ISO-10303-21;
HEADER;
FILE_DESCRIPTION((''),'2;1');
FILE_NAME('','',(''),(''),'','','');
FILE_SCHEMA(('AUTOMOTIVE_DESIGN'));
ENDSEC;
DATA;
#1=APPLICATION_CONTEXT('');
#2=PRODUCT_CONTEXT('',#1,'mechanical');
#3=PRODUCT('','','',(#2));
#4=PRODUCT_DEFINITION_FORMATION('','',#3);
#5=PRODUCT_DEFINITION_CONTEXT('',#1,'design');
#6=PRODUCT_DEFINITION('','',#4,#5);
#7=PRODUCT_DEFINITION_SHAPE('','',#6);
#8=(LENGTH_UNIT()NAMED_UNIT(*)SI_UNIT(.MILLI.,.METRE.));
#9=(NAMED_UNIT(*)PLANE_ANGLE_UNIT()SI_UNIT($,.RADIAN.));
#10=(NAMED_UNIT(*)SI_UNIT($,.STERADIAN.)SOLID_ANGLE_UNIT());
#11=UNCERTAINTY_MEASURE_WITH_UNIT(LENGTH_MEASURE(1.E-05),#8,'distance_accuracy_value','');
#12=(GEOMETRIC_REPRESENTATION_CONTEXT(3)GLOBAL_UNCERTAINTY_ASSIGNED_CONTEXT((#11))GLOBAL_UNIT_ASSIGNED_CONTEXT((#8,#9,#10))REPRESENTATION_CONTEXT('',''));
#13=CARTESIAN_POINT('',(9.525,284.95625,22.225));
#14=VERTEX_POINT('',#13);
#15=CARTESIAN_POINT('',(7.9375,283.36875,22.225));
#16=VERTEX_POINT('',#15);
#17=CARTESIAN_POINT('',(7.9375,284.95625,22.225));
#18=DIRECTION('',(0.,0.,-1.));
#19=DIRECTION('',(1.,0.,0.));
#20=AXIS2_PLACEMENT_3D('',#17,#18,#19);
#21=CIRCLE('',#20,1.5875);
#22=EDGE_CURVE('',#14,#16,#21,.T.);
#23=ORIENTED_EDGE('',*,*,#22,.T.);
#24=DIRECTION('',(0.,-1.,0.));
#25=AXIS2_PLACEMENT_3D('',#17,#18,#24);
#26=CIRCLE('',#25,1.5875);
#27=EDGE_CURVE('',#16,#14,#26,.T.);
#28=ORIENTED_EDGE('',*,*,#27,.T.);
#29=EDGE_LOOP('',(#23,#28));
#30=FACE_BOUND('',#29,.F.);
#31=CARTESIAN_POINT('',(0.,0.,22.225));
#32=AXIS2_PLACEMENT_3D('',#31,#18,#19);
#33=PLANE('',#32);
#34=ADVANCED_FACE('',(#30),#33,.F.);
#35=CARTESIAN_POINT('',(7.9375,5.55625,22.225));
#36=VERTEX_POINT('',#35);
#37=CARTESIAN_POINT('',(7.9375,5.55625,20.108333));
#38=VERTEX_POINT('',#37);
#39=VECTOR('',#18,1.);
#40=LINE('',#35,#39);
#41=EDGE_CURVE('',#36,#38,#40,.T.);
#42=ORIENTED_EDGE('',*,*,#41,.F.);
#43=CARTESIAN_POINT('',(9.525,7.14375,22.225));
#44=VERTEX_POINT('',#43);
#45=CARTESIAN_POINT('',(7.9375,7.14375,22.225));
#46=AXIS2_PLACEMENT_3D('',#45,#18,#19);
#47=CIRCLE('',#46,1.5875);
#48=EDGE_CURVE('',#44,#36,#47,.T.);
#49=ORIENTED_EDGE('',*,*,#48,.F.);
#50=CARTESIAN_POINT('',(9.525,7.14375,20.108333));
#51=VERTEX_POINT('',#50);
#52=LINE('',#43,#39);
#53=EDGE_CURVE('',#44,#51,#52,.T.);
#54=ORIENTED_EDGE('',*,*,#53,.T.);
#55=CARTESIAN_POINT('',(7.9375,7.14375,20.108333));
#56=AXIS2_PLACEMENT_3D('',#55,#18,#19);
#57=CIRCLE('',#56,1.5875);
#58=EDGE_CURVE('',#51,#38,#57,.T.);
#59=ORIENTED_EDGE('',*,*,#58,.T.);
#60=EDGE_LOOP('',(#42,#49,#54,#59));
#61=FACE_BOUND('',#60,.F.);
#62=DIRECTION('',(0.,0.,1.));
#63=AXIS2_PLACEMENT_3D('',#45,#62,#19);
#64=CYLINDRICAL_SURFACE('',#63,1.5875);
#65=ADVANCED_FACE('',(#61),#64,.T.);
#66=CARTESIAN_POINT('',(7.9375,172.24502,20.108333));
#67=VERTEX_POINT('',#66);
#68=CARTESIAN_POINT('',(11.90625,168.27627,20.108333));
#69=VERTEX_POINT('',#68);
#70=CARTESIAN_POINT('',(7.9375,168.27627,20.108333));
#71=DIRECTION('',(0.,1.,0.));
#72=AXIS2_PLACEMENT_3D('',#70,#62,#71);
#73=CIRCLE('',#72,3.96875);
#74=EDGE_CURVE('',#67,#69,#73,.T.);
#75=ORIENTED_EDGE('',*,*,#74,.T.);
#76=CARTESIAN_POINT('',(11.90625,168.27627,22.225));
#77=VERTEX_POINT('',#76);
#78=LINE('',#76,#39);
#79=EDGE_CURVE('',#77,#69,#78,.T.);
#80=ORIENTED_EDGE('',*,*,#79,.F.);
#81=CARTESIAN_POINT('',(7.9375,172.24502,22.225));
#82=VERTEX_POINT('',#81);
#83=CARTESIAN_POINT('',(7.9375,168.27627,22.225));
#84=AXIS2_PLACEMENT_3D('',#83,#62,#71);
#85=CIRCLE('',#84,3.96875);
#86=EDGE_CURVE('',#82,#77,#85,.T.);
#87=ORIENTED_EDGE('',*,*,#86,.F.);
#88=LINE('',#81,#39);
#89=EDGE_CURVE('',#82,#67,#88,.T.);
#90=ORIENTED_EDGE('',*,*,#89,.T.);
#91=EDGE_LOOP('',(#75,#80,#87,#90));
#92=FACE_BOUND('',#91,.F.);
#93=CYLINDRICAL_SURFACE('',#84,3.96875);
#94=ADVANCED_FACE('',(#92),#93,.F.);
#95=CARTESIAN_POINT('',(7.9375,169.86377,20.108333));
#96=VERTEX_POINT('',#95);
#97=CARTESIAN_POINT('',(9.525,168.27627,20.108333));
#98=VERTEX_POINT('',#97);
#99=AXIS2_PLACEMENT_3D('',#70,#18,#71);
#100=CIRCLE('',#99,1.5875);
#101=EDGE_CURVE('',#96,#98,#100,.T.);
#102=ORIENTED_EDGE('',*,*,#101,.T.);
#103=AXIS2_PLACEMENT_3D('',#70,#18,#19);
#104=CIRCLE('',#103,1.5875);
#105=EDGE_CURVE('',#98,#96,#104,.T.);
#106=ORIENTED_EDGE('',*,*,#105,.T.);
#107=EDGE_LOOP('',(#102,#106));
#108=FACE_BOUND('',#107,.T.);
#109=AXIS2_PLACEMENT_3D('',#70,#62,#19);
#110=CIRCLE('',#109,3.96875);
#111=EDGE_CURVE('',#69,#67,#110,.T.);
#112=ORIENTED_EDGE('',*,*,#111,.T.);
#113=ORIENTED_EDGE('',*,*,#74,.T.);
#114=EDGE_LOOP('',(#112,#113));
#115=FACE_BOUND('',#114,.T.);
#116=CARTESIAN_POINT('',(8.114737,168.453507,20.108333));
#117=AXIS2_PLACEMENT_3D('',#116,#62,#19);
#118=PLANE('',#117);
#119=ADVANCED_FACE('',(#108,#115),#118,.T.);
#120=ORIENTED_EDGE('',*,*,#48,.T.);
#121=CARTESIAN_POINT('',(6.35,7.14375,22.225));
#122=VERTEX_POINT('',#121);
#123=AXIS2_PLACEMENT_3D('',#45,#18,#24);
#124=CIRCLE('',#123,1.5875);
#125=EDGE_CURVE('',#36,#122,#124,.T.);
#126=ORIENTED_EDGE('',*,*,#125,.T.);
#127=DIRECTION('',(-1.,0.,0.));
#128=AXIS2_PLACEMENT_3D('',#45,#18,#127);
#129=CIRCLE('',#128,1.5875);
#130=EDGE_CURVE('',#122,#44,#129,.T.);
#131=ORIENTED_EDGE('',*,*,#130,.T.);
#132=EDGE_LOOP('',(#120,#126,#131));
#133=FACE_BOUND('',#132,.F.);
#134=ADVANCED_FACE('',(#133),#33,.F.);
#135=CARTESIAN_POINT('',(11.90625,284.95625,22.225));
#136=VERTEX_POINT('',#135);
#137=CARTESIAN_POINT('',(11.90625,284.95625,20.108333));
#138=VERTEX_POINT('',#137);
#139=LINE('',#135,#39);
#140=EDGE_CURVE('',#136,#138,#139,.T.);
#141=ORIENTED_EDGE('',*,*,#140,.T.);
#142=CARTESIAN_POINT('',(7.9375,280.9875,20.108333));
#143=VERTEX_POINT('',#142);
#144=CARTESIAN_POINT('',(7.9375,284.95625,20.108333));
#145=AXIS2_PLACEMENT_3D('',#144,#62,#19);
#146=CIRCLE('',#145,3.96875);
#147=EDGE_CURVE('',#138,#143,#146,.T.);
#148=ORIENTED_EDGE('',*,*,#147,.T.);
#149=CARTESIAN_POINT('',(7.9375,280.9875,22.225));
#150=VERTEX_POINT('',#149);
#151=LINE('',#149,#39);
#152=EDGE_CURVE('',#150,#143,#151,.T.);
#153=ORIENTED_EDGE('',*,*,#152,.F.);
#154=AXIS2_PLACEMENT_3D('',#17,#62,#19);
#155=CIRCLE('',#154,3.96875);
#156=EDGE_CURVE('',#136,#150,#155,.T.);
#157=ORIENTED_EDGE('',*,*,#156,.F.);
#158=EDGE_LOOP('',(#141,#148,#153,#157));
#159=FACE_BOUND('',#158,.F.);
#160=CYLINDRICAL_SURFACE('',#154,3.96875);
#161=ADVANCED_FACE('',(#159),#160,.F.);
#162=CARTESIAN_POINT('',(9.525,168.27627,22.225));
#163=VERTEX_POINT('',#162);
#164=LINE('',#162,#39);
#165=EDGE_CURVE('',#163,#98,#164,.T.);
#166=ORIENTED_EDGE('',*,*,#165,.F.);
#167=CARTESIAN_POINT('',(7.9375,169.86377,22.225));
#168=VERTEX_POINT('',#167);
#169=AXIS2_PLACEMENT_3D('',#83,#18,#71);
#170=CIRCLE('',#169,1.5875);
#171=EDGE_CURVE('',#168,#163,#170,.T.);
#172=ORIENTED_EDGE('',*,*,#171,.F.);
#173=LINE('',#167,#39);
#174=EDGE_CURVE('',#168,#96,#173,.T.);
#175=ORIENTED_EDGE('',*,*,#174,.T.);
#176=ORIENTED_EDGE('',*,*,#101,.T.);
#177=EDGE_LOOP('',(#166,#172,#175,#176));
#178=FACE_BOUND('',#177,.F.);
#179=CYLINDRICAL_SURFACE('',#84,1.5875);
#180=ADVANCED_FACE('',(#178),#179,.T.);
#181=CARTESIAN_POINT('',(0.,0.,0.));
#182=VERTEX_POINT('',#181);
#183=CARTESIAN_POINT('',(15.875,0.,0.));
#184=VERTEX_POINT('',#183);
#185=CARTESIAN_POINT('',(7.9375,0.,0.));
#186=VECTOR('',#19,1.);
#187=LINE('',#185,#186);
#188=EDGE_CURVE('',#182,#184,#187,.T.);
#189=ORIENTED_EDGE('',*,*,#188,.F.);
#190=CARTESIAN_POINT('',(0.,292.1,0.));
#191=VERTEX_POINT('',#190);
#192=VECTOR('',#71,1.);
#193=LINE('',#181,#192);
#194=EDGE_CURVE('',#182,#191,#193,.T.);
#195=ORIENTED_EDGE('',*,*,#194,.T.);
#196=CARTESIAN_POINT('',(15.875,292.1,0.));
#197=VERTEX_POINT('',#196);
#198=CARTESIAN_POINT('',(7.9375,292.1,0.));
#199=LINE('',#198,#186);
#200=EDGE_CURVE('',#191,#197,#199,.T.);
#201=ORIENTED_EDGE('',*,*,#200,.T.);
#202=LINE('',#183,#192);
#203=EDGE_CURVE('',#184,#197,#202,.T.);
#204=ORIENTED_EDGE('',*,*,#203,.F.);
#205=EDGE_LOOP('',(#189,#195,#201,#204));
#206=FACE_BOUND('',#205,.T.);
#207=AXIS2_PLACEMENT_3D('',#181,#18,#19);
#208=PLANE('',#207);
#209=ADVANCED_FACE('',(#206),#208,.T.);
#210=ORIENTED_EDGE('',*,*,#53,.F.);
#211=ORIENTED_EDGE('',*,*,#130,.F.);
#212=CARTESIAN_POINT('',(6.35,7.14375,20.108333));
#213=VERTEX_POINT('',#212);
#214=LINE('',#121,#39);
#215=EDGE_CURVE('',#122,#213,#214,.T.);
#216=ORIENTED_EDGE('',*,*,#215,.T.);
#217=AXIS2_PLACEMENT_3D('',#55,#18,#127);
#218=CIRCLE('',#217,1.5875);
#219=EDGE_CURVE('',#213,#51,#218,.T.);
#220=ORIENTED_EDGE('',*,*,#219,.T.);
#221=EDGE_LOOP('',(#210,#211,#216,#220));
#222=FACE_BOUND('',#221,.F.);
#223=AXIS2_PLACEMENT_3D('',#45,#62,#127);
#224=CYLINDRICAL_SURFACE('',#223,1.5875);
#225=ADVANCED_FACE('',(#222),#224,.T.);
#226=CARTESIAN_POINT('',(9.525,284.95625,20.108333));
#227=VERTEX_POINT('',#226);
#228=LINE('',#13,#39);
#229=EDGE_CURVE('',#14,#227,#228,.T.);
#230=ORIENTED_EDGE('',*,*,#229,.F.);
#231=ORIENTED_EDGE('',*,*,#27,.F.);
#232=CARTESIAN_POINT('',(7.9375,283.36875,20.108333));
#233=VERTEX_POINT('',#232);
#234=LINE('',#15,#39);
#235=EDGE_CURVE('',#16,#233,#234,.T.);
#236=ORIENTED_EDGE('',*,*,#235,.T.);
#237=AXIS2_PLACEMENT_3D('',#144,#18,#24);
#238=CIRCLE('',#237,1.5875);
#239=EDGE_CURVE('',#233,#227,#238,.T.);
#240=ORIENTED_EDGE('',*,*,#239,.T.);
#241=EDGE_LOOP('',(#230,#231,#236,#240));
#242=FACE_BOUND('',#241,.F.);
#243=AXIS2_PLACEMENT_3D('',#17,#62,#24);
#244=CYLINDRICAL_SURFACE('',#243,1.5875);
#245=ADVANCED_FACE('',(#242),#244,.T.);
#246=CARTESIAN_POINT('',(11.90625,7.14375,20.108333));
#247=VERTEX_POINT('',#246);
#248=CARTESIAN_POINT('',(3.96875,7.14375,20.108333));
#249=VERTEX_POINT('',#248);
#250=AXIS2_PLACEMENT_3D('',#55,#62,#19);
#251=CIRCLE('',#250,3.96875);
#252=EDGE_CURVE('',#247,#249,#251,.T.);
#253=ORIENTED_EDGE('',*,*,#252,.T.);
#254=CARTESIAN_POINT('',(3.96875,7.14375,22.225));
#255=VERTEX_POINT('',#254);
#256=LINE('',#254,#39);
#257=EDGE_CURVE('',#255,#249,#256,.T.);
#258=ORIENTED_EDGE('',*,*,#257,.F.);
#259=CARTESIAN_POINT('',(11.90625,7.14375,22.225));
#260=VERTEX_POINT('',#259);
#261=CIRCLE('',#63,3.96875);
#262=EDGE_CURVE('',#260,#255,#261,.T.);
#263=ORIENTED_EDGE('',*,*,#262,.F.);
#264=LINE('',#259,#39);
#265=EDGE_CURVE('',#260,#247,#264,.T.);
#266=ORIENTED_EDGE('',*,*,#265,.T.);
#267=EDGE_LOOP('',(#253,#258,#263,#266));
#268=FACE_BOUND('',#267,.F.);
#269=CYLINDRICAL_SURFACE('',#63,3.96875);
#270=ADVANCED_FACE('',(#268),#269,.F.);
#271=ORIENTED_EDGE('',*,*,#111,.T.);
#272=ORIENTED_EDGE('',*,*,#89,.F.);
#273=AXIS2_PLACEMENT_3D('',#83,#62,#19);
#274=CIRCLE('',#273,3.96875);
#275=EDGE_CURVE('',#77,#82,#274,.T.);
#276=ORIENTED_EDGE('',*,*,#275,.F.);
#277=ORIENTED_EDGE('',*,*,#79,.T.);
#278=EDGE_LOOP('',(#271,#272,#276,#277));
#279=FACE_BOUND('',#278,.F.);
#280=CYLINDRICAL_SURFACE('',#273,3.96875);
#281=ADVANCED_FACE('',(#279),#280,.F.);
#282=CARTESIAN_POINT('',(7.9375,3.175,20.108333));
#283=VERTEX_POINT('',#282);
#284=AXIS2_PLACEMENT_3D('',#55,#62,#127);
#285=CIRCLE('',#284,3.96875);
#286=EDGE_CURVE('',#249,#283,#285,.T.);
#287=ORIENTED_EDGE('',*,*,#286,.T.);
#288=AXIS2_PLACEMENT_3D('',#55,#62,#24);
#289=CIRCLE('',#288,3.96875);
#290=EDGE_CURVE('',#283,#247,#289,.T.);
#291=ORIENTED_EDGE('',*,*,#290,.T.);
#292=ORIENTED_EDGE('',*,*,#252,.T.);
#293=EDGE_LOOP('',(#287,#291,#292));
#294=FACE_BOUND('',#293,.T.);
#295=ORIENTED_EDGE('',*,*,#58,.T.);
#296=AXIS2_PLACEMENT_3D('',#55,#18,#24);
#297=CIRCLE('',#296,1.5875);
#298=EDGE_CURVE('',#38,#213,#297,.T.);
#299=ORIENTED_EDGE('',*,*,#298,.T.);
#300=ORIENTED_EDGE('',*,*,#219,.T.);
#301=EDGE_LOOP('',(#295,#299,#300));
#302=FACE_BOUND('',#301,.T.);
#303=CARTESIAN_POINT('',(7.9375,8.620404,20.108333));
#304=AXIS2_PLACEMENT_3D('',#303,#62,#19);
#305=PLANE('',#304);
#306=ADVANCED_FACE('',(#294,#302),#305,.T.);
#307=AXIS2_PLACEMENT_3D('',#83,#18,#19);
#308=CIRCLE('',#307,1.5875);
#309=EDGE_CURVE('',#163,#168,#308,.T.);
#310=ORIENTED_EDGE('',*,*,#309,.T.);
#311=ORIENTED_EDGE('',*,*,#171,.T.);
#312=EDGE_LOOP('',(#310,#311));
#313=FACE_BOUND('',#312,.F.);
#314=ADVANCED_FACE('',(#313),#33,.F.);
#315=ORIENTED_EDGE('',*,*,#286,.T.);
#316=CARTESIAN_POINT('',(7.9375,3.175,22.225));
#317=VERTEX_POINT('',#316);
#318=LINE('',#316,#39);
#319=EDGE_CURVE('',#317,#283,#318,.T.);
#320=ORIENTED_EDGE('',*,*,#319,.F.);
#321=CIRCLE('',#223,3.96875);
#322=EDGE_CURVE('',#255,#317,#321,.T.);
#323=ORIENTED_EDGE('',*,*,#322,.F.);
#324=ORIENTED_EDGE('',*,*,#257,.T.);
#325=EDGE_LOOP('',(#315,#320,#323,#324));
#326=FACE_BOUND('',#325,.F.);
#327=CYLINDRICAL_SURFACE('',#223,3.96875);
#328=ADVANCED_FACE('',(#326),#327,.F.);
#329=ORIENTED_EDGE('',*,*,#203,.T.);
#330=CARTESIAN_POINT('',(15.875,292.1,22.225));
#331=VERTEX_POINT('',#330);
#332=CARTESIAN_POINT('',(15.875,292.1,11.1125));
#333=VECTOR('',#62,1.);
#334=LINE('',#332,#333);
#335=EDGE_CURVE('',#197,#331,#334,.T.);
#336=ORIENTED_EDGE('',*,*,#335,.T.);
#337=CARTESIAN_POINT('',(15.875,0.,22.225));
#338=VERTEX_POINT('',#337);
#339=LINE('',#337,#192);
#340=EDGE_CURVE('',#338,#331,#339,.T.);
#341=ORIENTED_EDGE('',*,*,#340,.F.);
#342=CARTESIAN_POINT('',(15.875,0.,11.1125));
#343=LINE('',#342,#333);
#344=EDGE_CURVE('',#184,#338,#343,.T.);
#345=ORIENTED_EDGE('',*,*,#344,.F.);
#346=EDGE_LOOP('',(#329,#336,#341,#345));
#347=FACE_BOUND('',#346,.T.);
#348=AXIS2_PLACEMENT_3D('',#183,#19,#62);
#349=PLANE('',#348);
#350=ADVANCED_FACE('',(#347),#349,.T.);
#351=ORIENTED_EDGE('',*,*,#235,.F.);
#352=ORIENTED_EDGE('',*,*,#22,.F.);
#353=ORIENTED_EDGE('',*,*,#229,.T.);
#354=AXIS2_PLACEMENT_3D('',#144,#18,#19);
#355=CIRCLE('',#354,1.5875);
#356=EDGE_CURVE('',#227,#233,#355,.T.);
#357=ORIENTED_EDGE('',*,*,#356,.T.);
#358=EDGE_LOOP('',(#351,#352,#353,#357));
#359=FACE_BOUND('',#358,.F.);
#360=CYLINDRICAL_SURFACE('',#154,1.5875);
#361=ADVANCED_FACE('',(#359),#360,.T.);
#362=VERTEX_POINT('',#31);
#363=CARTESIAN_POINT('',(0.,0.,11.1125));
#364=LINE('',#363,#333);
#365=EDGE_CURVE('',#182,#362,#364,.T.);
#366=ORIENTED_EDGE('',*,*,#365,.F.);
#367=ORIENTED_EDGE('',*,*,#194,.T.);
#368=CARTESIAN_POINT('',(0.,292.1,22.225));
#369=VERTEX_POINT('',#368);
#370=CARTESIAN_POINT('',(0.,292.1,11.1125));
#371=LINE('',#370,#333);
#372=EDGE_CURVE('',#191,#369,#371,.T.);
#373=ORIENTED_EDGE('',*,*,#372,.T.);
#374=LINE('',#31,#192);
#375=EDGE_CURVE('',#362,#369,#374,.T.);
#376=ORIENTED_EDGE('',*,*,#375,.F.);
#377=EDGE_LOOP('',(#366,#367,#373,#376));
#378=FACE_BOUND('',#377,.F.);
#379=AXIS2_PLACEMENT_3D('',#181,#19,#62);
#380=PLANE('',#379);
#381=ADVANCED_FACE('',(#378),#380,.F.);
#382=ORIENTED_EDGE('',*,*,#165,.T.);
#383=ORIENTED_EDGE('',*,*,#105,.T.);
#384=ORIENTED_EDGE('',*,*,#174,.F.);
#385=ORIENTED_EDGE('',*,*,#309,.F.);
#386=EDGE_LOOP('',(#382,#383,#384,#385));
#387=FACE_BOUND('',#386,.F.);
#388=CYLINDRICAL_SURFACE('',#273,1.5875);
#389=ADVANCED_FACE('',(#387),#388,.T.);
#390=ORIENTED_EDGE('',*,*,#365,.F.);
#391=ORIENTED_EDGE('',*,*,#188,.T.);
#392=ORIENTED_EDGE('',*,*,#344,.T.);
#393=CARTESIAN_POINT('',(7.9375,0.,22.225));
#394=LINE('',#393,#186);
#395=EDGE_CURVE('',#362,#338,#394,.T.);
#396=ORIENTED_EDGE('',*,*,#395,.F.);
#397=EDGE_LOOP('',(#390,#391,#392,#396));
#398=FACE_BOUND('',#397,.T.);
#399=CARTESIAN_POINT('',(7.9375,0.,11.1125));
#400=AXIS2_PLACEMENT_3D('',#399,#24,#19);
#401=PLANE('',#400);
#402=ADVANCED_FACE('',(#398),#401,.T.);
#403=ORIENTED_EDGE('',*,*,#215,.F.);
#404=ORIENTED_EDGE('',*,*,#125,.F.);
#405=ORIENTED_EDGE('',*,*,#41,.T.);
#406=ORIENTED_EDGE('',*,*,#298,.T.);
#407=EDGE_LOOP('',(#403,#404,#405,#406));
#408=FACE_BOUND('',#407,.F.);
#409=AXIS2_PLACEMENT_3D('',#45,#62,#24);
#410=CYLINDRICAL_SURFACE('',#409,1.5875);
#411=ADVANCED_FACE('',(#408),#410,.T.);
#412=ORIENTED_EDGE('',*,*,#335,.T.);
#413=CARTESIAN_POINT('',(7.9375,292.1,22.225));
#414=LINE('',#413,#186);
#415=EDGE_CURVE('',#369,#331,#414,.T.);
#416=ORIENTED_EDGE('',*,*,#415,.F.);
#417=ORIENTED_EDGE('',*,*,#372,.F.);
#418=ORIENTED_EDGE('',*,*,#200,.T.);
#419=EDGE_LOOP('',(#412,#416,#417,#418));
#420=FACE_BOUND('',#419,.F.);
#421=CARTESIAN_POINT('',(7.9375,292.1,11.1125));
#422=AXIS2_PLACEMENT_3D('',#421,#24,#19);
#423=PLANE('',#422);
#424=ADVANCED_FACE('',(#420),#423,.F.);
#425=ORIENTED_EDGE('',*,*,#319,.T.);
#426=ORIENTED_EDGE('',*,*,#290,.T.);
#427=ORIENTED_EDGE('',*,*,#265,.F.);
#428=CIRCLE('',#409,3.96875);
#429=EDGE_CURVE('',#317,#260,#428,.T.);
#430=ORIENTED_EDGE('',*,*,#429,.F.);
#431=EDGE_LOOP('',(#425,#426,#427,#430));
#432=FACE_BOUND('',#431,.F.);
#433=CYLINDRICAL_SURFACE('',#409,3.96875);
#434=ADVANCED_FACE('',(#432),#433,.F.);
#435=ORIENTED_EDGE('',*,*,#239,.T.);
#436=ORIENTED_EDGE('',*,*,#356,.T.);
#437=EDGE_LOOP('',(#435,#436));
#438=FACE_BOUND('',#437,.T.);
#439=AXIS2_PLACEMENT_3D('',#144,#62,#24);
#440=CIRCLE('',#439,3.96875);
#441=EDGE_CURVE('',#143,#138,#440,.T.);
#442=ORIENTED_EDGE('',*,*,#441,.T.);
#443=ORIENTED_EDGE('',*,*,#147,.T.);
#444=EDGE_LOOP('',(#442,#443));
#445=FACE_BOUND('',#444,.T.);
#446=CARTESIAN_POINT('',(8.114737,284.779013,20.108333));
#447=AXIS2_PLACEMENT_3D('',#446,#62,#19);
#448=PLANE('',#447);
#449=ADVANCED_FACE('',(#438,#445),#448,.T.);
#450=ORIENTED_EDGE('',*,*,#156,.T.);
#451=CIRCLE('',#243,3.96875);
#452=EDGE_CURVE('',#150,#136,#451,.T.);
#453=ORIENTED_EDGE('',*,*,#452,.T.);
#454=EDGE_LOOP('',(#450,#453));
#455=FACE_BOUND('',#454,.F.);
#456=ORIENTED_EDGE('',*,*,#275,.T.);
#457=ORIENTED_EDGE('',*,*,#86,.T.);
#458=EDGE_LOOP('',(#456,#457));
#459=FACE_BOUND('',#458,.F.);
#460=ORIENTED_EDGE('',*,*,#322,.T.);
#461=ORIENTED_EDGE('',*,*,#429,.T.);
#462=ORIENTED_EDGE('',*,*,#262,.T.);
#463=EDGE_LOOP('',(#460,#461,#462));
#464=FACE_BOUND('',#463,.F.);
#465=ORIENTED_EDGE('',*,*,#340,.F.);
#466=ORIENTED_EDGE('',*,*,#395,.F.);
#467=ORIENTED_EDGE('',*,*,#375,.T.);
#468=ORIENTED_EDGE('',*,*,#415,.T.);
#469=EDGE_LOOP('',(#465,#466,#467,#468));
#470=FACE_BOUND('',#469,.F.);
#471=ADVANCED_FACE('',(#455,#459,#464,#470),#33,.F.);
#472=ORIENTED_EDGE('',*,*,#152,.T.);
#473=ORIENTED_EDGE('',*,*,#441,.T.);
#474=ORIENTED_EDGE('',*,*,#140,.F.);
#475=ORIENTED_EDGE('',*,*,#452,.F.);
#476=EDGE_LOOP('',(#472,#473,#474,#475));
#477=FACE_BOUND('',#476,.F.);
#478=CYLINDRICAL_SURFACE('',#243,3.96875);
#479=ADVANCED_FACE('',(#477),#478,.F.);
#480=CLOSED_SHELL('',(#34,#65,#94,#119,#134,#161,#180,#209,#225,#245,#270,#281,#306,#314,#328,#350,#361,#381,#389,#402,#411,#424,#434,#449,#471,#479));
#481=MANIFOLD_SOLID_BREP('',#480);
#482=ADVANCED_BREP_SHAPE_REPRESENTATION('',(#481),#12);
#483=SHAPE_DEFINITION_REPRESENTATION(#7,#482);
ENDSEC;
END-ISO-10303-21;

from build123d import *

# Parameters (mm, degrees)
F0_W     = 15.875
F0_H     = 22.225
F1_DEPTH = 292.1
F3_DEPTH = 2.1166666667


with BuildPart() as f1:
    # F0 (on Front) → F1 (new body)
    with BuildSketch(Plane.XZ):
        with Locations((7.9375, 11.1125)):
            Rectangle(F0_W, F0_H)
    extrude(amount=-F1_DEPTH)

    # F2 (on face) → F3 (cut)
    with BuildSketch(Plane.XY.offset(22.225)):
        with BuildLine():
            ThreePointArc((7.9375, 280.9875), (10.7438300378, 282.1499199622), (11.90625, 284.95625))
            ThreePointArc((11.90625, 284.95625), (5.1311699622, 287.7625800378), (7.9375, 280.9875))
        make_face()
        with BuildLine():
            ThreePointArc((9.525, 284.95625), (9.0600320151, 283.8337179849), (7.9375, 283.36875))
            ThreePointArc((7.9375, 283.36875), (6.8149679849, 286.0787820151), (9.525, 284.95625))
        make_face(mode=Mode.SUBTRACT)
        with BuildLine():
            ThreePointArc((11.90625, 168.27627), (10.7438300378, 171.0826000378), (7.9375, 172.24502))
            ThreePointArc((7.9375, 172.24502), (5.1311699622, 165.4699399622), (11.90625, 168.27627))
        make_face()
        with BuildLine():
            ThreePointArc((9.525, 168.27627), (6.8149679849, 167.1537379849), (7.9375, 169.86377))
            ThreePointArc((7.9375, 169.86377), (9.0600320151, 169.3988020151), (9.525, 168.27627))
        make_face(mode=Mode.SUBTRACT)
        with BuildLine():
            Line((9.525, 7.14375), (11.90625, 7.14375))
            ThreePointArc((11.90625, 7.14375), (7.9375, 11.1125), (3.96875, 7.14375))
            Line((3.96875, 7.14375), (6.35, 7.14375))
            ThreePointArc((6.35, 7.14375), (7.9375, 8.73125), (9.525, 7.14375))
        make_face()
        with BuildLine():
            Line((6.35, 7.14375), (3.96875, 7.14375))
            ThreePointArc((3.96875, 7.14375), (5.1311699622, 4.3374199622), (7.9375, 3.175))
            Line((7.9375, 3.175), (7.9375, 5.55625))
            ThreePointArc((7.9375, 5.55625), (6.8149679849, 6.0212179849), (6.35, 7.14375))
        make_face()
        with BuildLine():
            ThreePointArc((7.9375, 3.175), (10.7438300378, 4.3374199622), (11.90625, 7.14375))
            Line((11.90625, 7.14375), (9.525, 7.14375))
            ThreePointArc((9.525, 7.14375), (9.0600320151, 6.0212179849), (7.9375, 5.55625))
            Line((7.9375, 5.55625), (7.9375, 3.175))
        make_face()
    extrude(amount=-F3_DEPTH, mode=Mode.SUBTRACT)


solid = f1.part
